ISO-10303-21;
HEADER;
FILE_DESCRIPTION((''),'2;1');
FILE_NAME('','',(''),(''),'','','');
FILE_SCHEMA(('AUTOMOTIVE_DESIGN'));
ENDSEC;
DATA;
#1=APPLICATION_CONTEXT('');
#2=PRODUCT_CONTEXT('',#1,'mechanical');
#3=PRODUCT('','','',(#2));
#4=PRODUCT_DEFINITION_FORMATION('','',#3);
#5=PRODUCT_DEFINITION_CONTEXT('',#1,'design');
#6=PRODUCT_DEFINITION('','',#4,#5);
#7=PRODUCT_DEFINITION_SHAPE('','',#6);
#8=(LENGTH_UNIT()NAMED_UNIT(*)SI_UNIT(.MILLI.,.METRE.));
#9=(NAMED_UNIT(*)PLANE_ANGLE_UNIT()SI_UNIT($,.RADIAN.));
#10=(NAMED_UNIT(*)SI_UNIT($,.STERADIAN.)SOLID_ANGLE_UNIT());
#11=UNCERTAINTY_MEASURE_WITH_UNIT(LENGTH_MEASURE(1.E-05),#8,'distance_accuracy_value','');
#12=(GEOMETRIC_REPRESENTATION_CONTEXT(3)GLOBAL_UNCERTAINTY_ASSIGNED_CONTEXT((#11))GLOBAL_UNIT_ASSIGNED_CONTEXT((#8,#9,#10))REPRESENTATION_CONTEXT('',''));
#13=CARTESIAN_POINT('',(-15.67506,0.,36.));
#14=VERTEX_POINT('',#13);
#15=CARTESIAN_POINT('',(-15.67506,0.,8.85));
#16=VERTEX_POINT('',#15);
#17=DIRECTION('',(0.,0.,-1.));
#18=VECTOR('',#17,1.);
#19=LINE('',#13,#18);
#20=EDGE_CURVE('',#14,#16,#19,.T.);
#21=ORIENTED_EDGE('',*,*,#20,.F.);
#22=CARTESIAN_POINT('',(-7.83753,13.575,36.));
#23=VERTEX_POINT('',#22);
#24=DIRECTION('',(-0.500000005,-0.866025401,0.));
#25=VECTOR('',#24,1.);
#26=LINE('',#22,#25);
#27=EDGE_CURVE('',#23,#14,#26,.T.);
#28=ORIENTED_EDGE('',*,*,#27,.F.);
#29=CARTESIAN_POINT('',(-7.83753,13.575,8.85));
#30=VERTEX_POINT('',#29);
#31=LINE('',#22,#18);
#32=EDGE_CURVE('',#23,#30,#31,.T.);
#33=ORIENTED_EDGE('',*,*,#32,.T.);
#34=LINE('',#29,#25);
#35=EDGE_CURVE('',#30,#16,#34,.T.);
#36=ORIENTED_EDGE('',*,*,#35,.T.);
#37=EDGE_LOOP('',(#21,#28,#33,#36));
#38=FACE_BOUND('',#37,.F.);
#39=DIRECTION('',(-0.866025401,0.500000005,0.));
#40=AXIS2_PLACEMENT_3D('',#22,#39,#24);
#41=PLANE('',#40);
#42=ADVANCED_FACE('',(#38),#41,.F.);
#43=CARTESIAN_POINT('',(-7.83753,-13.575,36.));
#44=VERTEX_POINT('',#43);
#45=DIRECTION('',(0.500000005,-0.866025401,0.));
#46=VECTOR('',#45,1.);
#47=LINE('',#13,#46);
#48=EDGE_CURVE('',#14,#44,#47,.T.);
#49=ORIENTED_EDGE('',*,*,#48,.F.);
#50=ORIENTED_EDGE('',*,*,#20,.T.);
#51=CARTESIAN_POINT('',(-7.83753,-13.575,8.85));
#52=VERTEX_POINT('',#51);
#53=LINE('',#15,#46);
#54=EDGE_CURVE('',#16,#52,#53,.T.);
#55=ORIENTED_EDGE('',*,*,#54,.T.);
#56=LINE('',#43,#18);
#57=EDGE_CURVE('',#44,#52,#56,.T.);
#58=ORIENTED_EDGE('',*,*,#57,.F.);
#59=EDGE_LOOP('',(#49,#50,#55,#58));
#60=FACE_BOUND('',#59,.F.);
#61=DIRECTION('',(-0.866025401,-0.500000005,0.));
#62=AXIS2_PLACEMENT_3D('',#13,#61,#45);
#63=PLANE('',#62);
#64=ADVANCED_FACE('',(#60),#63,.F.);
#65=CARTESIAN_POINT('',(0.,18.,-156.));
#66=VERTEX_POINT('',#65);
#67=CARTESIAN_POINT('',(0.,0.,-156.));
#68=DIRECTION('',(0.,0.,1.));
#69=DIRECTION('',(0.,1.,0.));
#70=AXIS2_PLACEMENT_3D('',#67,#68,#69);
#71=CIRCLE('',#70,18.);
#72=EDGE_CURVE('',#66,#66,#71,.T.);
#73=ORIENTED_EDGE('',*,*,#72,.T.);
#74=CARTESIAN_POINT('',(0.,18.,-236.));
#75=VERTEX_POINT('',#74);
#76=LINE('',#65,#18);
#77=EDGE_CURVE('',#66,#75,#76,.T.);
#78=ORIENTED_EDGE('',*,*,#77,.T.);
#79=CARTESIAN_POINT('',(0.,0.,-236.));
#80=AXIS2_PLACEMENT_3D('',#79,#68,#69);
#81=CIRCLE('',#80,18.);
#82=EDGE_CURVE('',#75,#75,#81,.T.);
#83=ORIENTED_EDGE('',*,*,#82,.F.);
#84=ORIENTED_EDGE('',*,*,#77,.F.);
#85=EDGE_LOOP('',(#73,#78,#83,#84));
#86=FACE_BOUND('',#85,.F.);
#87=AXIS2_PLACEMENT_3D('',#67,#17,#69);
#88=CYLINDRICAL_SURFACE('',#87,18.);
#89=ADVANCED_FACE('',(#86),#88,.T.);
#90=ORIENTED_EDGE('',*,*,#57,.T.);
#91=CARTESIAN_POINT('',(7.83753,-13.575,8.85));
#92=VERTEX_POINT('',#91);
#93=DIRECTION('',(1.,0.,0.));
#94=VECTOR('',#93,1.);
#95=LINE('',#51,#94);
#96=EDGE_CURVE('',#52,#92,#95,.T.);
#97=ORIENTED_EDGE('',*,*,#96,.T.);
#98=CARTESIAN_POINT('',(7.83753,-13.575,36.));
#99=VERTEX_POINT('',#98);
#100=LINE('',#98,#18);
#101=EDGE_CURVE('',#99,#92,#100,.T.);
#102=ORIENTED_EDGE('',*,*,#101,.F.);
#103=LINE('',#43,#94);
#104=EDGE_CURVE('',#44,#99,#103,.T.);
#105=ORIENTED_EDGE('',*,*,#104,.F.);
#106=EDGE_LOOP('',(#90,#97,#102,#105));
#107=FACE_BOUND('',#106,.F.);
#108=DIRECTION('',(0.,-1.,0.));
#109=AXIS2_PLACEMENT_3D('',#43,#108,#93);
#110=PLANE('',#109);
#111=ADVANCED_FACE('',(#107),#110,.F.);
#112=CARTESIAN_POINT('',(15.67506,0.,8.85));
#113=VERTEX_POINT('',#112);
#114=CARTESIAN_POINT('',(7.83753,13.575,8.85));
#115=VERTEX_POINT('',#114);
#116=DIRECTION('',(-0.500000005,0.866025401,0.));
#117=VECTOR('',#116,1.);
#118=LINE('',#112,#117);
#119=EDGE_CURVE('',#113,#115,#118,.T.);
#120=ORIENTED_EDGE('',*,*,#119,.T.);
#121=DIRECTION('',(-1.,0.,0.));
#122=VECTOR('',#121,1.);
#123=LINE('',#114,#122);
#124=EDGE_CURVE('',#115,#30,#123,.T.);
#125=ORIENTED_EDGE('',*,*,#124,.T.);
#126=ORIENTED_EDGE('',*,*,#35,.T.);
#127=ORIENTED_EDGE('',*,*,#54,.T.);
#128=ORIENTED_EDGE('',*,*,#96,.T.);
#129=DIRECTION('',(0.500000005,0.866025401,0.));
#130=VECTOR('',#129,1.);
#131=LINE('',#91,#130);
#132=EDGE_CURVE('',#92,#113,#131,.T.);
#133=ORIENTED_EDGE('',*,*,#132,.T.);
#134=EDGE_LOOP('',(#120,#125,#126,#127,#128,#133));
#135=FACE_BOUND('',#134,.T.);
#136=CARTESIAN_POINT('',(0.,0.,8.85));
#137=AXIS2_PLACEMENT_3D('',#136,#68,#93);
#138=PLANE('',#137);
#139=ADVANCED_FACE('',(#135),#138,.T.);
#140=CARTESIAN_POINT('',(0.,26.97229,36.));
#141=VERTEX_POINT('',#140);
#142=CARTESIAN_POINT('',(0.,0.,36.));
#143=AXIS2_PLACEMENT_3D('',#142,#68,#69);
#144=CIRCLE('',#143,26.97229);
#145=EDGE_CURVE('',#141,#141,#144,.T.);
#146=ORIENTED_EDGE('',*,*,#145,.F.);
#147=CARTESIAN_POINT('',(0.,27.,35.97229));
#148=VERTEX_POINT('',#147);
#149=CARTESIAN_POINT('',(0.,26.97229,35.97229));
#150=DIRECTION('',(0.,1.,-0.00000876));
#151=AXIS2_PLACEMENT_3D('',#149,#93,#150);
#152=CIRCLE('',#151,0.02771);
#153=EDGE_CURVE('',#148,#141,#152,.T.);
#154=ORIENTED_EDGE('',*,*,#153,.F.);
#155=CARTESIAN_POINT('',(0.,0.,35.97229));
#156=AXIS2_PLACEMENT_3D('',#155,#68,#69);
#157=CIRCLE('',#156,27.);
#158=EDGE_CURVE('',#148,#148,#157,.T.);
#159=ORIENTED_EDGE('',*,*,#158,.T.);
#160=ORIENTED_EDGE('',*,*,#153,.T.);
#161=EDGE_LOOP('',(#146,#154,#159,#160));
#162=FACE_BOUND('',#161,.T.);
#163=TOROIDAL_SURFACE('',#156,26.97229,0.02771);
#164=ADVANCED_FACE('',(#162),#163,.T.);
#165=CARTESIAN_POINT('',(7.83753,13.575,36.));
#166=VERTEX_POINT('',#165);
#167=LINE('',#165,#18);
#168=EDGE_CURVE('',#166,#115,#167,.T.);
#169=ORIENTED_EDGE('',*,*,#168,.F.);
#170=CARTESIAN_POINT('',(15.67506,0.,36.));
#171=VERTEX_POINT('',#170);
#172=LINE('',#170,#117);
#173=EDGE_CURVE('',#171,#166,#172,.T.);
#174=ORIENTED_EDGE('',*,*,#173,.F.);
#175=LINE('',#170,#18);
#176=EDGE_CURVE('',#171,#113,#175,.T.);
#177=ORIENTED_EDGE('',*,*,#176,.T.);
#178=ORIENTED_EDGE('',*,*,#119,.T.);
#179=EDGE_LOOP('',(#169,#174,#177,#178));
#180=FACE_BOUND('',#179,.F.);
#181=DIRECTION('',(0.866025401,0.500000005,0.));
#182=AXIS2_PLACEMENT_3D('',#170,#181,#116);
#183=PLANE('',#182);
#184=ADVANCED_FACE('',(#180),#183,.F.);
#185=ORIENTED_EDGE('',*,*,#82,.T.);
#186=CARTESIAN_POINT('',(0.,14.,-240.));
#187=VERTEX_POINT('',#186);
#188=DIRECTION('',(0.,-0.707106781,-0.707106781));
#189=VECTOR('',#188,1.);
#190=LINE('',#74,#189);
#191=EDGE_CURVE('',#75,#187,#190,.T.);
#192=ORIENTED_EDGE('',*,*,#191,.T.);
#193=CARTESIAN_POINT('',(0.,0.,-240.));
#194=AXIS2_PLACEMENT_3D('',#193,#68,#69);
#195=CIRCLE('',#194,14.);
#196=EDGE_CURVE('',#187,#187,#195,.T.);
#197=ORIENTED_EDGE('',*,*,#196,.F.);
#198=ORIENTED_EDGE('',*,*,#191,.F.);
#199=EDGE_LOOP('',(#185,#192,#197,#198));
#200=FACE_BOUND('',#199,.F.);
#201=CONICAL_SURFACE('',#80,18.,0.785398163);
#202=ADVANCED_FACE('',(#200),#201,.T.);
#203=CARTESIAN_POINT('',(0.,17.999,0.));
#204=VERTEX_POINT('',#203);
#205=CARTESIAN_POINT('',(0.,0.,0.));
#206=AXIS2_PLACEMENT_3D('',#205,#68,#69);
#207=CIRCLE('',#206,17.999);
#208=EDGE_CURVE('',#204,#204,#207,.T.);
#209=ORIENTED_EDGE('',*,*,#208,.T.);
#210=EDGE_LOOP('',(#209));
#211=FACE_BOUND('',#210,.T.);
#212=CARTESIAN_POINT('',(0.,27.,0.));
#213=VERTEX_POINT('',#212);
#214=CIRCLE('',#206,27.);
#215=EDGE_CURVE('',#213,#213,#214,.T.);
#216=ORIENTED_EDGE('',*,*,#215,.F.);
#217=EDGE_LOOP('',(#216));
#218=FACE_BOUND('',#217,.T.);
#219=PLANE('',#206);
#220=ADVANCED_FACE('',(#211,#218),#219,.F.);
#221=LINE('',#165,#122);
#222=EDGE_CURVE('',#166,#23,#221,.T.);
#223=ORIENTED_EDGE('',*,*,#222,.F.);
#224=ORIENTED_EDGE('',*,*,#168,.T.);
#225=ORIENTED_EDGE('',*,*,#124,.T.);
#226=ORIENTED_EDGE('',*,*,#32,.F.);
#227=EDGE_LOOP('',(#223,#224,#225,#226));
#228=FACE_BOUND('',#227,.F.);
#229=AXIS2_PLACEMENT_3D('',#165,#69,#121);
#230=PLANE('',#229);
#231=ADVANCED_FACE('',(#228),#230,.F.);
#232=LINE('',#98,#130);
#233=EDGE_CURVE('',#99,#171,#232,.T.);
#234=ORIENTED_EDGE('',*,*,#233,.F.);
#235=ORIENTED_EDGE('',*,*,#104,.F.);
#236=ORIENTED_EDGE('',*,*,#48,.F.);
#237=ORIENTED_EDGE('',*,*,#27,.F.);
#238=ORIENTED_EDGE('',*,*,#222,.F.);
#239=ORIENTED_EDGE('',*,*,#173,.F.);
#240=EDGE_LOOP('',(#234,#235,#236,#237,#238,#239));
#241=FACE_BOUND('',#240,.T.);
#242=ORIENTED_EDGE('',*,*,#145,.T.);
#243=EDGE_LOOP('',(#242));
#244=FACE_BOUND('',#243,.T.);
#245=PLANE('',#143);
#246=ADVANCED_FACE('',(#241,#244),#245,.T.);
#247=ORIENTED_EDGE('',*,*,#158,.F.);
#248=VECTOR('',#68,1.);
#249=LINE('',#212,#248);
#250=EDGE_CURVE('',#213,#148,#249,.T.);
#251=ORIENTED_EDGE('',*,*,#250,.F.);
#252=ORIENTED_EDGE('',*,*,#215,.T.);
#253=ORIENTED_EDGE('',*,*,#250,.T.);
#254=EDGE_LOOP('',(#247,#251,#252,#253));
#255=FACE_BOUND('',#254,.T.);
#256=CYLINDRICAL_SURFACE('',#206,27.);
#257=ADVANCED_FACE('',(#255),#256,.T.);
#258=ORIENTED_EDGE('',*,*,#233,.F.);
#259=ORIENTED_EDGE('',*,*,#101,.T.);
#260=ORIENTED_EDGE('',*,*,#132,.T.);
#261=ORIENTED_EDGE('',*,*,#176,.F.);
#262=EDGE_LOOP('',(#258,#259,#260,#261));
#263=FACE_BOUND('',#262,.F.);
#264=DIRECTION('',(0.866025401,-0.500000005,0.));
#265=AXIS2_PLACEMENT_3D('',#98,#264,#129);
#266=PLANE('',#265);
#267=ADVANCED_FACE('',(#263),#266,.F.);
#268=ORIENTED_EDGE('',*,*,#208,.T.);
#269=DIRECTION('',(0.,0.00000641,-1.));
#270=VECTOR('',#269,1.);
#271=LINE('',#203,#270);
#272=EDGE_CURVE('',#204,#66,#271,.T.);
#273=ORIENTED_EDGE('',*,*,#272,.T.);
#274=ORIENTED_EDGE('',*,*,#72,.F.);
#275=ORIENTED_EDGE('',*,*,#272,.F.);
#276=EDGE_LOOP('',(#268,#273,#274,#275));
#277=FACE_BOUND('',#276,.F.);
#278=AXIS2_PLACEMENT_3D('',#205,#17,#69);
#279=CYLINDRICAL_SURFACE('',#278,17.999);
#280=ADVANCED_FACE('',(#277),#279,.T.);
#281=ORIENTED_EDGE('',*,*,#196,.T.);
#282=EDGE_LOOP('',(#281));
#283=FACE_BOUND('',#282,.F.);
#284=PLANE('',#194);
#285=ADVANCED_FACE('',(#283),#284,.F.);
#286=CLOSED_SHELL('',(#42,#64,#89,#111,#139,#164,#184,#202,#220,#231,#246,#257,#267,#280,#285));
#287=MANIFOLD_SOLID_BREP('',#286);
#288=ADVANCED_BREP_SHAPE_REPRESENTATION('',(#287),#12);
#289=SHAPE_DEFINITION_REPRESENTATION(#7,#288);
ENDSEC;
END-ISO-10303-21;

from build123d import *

# Parameters (mm, degrees)
POCKET_DEPTH = 27.15


with BuildPart() as part:
    # Sketch → Revolve (revolve)
    with BuildSketch(Plane.YZ):
        with BuildLine():
            Line((17.999, 0), (27, 0))
            Line((27, 0), (27, 35.97229))
            ThreePointArc((27, 35.97229), (26.991884, 35.991884), (26.97229, 36))
            Line((26.97229, 36), (0, 36))
            Line((0, -240), (0, 36))
            Line((14, -240), (0, -240))
            Line((18, -236), (14, -240))
            Line((18, -156), (18, -236))
            Line((17.999, 0), (18, -156))
        make_face()
    revolve(axis=Axis((0, 0, 0), (0, 0, 1)))

    # Sketch001 → Pocket (cut)
    with BuildSketch(Plane.XY.offset(36)):
        Polygon((15.67506, 0), (7.83753, 13.575), (-7.83753, 13.575), (-15.67506, 0), (-7.83753, -13.575), (7.83753, -13.575), align=None)
    extrude(amount=-POCKET_DEPTH, mode=Mode.SUBTRACT)


solid = part.part
